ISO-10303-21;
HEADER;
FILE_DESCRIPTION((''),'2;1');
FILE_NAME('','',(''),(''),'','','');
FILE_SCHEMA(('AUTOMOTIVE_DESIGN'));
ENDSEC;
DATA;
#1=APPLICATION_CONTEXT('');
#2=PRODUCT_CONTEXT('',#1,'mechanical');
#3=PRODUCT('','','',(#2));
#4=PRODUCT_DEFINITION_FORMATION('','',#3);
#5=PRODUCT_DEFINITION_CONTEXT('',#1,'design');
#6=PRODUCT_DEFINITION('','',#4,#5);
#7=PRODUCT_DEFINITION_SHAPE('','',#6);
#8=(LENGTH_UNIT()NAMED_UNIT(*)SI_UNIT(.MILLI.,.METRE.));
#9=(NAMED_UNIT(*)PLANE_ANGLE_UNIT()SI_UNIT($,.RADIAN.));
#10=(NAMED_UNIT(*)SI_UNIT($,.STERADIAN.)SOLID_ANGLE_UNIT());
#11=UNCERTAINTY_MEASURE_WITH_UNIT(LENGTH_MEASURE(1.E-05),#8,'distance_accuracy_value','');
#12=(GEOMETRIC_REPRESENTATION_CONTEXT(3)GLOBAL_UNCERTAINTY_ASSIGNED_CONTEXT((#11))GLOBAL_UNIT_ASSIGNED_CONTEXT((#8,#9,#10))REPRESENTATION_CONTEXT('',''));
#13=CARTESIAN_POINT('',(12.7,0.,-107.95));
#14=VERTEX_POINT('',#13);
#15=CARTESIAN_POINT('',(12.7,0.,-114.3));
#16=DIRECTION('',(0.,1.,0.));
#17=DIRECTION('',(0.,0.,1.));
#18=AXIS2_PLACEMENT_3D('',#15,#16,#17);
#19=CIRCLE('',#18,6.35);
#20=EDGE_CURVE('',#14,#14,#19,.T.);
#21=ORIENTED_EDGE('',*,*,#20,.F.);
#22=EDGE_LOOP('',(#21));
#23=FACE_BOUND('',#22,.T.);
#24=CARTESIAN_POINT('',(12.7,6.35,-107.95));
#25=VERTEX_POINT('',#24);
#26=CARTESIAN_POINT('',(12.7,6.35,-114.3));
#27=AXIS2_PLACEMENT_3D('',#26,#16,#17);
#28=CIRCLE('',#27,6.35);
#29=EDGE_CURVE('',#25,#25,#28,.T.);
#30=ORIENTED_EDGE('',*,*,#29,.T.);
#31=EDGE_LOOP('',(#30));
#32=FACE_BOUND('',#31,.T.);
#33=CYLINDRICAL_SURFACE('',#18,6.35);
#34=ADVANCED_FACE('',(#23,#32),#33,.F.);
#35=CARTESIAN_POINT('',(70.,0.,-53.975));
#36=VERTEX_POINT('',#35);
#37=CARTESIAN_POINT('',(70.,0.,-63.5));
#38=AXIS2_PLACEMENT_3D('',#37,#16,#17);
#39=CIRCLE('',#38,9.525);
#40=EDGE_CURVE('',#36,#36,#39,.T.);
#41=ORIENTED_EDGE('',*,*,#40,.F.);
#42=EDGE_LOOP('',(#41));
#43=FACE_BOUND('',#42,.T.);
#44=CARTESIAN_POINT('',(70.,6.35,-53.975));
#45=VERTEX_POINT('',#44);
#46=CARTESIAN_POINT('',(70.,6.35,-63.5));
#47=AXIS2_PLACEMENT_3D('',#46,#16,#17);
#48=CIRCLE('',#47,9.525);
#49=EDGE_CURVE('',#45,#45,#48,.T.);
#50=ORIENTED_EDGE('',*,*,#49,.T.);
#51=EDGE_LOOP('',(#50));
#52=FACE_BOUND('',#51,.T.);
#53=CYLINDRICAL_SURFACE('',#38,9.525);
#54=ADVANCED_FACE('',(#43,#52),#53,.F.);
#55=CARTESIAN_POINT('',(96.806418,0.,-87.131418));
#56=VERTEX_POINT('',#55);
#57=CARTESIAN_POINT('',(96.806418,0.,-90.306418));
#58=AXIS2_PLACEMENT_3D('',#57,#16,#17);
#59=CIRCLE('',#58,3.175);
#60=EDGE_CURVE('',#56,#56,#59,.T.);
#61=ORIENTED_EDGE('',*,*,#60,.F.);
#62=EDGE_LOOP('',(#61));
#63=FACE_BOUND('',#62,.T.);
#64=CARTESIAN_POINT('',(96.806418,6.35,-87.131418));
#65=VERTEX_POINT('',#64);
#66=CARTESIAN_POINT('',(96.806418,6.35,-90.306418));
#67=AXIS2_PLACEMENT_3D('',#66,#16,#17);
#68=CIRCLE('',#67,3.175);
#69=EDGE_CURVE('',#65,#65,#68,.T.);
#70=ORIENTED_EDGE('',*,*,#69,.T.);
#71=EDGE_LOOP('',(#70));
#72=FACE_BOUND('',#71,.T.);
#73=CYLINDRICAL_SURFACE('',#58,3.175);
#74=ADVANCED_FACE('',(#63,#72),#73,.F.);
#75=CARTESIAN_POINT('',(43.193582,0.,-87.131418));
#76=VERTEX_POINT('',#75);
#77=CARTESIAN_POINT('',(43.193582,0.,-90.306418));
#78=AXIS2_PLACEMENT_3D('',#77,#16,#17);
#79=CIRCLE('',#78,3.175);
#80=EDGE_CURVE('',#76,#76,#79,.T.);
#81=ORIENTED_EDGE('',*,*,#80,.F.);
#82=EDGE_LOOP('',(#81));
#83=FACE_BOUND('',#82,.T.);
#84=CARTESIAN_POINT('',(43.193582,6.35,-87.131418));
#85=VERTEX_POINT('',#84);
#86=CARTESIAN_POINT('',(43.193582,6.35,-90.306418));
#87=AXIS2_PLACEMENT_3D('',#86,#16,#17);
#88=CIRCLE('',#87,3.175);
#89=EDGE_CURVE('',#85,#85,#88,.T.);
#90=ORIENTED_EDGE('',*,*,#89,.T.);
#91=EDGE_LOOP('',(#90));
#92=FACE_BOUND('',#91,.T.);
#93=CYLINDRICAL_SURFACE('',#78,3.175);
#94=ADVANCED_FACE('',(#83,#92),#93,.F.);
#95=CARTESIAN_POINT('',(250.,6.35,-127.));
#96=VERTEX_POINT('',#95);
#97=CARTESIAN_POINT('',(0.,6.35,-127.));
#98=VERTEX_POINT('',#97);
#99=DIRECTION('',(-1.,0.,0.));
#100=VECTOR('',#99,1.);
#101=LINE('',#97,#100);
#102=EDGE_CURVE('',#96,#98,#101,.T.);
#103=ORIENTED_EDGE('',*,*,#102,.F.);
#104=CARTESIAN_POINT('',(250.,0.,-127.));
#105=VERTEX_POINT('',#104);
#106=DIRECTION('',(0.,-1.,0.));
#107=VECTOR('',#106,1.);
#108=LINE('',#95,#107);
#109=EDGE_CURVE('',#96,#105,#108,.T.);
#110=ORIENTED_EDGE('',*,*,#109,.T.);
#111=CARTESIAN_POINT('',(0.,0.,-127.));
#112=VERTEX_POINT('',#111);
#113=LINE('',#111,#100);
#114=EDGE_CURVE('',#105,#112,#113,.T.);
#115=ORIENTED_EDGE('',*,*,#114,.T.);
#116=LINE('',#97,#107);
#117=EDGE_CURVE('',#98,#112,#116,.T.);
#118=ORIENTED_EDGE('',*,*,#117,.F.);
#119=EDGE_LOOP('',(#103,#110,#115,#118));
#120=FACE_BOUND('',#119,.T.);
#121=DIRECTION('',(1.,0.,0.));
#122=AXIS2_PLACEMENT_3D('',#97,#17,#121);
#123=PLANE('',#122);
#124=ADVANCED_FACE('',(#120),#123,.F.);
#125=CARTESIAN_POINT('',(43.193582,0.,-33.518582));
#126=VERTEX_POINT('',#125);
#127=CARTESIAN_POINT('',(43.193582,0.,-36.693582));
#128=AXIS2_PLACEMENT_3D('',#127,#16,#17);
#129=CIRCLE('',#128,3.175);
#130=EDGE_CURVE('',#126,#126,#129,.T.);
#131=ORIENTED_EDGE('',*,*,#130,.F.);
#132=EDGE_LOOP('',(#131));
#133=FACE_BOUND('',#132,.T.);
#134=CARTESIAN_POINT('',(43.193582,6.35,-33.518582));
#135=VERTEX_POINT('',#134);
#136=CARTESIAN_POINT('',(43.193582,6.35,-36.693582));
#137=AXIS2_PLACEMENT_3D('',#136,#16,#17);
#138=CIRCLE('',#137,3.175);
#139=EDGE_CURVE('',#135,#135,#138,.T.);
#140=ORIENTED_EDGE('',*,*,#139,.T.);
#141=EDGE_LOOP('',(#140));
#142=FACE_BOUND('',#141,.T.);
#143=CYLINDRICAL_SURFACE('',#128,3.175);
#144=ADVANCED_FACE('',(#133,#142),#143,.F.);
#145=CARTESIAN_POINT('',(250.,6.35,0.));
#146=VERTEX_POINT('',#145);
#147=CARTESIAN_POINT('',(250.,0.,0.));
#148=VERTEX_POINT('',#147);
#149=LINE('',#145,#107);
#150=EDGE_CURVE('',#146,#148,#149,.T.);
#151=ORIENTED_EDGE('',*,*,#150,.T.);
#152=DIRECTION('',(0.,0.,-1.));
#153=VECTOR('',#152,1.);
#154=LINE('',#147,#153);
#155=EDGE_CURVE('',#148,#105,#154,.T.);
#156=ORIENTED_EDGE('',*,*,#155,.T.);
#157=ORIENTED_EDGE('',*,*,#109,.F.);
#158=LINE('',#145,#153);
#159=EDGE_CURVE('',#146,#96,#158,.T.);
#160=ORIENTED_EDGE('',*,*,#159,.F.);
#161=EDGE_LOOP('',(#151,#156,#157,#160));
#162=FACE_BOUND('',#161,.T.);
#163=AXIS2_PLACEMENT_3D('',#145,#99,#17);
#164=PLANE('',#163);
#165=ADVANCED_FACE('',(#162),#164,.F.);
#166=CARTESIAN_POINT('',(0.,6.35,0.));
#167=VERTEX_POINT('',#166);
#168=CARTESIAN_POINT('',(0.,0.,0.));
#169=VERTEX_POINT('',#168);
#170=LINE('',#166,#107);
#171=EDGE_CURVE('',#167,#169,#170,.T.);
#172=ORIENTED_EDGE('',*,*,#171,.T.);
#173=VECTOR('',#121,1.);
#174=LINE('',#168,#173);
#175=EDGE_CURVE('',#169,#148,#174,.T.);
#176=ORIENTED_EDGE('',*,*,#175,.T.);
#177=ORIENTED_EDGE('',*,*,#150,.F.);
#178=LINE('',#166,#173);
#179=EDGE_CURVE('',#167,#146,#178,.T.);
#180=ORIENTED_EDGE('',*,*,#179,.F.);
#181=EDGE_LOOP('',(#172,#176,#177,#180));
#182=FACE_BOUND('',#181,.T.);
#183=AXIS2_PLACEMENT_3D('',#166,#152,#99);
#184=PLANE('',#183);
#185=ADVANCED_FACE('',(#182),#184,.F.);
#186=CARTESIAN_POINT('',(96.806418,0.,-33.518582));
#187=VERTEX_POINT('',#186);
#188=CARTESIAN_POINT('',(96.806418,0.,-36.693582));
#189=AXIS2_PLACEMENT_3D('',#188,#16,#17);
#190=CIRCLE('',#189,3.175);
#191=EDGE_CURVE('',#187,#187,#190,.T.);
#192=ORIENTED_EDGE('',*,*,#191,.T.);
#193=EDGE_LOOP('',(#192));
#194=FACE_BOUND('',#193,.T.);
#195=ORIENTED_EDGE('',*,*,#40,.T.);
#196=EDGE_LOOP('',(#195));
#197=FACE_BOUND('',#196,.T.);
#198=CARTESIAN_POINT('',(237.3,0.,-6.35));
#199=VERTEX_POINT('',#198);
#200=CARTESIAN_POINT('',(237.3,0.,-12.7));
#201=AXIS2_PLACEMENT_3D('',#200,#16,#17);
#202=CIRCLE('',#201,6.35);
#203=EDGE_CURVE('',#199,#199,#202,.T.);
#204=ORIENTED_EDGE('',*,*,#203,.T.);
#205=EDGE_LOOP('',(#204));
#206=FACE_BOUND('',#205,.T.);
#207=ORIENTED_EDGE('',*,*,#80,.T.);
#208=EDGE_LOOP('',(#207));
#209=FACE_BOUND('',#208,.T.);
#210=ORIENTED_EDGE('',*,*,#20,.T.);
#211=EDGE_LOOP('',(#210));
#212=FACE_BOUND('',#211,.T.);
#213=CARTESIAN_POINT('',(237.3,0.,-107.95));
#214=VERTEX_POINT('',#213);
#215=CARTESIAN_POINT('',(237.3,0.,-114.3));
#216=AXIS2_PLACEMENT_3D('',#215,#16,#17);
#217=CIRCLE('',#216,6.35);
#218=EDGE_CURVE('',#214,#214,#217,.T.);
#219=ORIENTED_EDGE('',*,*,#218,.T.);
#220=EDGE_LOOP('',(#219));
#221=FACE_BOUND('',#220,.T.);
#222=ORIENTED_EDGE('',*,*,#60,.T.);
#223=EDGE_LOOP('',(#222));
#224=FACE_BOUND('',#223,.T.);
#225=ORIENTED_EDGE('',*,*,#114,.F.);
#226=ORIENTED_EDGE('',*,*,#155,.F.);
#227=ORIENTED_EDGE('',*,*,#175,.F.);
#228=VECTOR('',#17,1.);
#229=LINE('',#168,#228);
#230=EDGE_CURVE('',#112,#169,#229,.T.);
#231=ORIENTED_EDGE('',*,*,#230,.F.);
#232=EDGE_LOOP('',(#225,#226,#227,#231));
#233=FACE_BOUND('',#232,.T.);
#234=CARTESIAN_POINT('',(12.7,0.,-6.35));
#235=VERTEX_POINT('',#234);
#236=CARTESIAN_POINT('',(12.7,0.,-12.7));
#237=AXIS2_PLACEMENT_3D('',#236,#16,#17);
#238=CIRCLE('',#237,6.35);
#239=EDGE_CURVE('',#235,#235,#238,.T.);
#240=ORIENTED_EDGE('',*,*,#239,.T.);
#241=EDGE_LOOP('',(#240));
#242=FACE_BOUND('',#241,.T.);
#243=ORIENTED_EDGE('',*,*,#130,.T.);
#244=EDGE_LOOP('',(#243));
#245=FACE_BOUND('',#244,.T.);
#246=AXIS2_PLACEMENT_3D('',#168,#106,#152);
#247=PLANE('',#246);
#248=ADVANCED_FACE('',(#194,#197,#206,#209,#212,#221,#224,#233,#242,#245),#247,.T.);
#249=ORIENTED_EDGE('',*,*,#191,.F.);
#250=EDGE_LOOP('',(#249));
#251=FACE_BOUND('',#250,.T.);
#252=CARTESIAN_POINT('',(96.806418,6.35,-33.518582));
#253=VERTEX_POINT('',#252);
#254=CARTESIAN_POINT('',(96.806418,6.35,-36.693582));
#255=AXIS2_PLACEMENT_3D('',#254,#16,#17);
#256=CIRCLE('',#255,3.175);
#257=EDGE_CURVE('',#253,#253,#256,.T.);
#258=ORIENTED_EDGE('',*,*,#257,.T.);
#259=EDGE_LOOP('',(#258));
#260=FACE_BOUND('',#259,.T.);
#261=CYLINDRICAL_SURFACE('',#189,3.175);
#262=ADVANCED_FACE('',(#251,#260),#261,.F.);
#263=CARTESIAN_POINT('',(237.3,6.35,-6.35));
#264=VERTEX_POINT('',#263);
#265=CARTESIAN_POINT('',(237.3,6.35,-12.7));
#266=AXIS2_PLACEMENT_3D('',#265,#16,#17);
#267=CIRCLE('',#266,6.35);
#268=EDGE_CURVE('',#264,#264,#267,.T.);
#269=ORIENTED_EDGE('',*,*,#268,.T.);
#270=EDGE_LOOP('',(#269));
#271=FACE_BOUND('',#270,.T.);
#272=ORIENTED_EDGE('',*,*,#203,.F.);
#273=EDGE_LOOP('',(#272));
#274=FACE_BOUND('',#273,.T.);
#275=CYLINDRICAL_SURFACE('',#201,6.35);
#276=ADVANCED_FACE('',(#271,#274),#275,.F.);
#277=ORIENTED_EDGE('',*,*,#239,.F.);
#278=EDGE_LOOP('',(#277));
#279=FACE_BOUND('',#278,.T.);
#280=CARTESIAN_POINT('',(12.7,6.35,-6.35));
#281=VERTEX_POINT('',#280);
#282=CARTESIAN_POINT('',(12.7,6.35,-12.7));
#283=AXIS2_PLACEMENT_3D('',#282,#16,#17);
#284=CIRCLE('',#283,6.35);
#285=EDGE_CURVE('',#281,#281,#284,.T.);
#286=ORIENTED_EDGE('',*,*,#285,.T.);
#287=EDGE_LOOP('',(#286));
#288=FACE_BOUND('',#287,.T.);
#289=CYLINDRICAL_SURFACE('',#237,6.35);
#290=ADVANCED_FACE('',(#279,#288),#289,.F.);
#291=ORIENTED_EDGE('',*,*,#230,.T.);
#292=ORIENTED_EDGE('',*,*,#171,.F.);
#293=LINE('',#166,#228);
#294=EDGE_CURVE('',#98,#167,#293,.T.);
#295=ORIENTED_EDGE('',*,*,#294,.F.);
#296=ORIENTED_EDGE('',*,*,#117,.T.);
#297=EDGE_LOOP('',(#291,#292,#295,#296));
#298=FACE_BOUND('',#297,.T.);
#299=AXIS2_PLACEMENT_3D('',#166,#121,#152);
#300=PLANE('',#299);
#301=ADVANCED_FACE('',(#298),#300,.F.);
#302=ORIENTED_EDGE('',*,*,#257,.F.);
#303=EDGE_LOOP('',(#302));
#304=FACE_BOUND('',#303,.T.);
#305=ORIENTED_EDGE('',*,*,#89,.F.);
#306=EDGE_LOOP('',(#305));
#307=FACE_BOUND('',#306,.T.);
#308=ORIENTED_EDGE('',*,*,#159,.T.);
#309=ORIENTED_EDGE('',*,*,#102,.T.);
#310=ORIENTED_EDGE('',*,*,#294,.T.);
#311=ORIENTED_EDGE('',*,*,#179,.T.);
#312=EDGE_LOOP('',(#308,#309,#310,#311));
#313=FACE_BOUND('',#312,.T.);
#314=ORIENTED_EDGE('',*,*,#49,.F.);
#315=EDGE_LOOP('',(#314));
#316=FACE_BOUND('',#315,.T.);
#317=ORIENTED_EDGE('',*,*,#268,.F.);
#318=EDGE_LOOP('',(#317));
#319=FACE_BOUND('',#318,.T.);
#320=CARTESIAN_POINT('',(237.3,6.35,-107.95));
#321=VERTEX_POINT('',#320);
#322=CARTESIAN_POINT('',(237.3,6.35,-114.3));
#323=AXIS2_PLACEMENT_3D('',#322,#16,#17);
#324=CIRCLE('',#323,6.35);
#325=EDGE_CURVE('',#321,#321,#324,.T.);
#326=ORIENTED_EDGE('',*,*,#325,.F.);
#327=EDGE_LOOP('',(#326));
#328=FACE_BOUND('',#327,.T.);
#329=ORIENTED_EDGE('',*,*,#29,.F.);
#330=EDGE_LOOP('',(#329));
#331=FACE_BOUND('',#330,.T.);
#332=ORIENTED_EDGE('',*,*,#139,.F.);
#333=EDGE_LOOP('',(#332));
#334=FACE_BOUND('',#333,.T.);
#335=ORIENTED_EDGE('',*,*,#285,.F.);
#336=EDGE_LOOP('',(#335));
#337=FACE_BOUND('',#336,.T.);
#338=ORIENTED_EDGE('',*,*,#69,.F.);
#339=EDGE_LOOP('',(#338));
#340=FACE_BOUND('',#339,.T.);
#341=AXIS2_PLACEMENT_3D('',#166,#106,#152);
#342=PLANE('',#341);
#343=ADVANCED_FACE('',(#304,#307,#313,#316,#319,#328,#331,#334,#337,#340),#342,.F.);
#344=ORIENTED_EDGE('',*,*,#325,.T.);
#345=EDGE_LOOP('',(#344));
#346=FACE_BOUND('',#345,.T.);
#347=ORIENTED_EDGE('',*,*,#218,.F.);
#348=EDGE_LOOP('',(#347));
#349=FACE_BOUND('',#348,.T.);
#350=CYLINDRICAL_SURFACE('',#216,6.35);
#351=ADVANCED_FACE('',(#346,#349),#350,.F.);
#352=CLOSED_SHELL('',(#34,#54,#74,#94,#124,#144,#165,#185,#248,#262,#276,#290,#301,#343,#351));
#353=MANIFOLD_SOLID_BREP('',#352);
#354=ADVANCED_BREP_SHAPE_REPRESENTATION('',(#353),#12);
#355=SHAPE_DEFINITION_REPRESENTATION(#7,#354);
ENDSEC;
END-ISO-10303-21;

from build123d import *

# Parameters (mm, degrees)
SKETCH1_W           = 250
SKETCH1_H           = 127
BOSS_EXTRUDE1_DEPTH = 6.35
SKETCH2_R           = 6.35
SKETCH2_R_2         = 3.175
SKETCH2_R_3         = 9.525
CUT_EXTRUDE1_DEPTH  = 281.480520714


with BuildPart() as part:
    # Sketch1 → Boss-Extrude1 (new body)
    with BuildSketch(Plane(origin=(0, 0, 0), x_dir=(1, 0, 0), z_dir=(0, 1, 0))):
        with Locations((125, 63.5)):
            Rectangle(SKETCH1_W, SKETCH1_H)
    extrude(amount=BOSS_EXTRUDE1_DEPTH)

    # Sketch2 → Cut-Extrude1 (cut, through all)
    with BuildSketch(Plane(origin=(0, 6.35, 0), x_dir=(1, 0, 0), z_dir=(0, 1, 0))):
        with Locations(Location((237.3, 12.7, 0), (0, 0, 270))):
            Circle(SKETCH2_R)
        with Locations(Location((237.3, 114.3, 0), (0, 0, 270))):
            Circle(SKETCH2_R)
        with Locations(Location((12.7, 12.7, 0), (0, 0, 270))):
            Circle(SKETCH2_R)
        with Locations(Location((12.7, 114.3, 0), (0, 0, 270))):
            Circle(SKETCH2_R)
        with Locations(Location((43.193581925, 36.693581925, 0), (0, 0, 270))):
            Circle(SKETCH2_R_2)
        with Locations(Location((96.806418075, 36.693581925, 0), (0, 0, 270))):
            Circle(SKETCH2_R_2)
        with Locations(Location((96.806418075, 90.306418075, 0), (0, 0, 270))):
            Circle(SKETCH2_R_2)
        with Locations(Location((43.193581925, 90.306418075, 0), (0, 0, 270))):
            Circle(SKETCH2_R_2)
        with Locations(Location((70, 63.5, 0), (0, 0, 270))):
            Circle(SKETCH2_R_3)
    extrude(amount=-CUT_EXTRUDE1_DEPTH, mode=Mode.SUBTRACT)


solid = part.part
